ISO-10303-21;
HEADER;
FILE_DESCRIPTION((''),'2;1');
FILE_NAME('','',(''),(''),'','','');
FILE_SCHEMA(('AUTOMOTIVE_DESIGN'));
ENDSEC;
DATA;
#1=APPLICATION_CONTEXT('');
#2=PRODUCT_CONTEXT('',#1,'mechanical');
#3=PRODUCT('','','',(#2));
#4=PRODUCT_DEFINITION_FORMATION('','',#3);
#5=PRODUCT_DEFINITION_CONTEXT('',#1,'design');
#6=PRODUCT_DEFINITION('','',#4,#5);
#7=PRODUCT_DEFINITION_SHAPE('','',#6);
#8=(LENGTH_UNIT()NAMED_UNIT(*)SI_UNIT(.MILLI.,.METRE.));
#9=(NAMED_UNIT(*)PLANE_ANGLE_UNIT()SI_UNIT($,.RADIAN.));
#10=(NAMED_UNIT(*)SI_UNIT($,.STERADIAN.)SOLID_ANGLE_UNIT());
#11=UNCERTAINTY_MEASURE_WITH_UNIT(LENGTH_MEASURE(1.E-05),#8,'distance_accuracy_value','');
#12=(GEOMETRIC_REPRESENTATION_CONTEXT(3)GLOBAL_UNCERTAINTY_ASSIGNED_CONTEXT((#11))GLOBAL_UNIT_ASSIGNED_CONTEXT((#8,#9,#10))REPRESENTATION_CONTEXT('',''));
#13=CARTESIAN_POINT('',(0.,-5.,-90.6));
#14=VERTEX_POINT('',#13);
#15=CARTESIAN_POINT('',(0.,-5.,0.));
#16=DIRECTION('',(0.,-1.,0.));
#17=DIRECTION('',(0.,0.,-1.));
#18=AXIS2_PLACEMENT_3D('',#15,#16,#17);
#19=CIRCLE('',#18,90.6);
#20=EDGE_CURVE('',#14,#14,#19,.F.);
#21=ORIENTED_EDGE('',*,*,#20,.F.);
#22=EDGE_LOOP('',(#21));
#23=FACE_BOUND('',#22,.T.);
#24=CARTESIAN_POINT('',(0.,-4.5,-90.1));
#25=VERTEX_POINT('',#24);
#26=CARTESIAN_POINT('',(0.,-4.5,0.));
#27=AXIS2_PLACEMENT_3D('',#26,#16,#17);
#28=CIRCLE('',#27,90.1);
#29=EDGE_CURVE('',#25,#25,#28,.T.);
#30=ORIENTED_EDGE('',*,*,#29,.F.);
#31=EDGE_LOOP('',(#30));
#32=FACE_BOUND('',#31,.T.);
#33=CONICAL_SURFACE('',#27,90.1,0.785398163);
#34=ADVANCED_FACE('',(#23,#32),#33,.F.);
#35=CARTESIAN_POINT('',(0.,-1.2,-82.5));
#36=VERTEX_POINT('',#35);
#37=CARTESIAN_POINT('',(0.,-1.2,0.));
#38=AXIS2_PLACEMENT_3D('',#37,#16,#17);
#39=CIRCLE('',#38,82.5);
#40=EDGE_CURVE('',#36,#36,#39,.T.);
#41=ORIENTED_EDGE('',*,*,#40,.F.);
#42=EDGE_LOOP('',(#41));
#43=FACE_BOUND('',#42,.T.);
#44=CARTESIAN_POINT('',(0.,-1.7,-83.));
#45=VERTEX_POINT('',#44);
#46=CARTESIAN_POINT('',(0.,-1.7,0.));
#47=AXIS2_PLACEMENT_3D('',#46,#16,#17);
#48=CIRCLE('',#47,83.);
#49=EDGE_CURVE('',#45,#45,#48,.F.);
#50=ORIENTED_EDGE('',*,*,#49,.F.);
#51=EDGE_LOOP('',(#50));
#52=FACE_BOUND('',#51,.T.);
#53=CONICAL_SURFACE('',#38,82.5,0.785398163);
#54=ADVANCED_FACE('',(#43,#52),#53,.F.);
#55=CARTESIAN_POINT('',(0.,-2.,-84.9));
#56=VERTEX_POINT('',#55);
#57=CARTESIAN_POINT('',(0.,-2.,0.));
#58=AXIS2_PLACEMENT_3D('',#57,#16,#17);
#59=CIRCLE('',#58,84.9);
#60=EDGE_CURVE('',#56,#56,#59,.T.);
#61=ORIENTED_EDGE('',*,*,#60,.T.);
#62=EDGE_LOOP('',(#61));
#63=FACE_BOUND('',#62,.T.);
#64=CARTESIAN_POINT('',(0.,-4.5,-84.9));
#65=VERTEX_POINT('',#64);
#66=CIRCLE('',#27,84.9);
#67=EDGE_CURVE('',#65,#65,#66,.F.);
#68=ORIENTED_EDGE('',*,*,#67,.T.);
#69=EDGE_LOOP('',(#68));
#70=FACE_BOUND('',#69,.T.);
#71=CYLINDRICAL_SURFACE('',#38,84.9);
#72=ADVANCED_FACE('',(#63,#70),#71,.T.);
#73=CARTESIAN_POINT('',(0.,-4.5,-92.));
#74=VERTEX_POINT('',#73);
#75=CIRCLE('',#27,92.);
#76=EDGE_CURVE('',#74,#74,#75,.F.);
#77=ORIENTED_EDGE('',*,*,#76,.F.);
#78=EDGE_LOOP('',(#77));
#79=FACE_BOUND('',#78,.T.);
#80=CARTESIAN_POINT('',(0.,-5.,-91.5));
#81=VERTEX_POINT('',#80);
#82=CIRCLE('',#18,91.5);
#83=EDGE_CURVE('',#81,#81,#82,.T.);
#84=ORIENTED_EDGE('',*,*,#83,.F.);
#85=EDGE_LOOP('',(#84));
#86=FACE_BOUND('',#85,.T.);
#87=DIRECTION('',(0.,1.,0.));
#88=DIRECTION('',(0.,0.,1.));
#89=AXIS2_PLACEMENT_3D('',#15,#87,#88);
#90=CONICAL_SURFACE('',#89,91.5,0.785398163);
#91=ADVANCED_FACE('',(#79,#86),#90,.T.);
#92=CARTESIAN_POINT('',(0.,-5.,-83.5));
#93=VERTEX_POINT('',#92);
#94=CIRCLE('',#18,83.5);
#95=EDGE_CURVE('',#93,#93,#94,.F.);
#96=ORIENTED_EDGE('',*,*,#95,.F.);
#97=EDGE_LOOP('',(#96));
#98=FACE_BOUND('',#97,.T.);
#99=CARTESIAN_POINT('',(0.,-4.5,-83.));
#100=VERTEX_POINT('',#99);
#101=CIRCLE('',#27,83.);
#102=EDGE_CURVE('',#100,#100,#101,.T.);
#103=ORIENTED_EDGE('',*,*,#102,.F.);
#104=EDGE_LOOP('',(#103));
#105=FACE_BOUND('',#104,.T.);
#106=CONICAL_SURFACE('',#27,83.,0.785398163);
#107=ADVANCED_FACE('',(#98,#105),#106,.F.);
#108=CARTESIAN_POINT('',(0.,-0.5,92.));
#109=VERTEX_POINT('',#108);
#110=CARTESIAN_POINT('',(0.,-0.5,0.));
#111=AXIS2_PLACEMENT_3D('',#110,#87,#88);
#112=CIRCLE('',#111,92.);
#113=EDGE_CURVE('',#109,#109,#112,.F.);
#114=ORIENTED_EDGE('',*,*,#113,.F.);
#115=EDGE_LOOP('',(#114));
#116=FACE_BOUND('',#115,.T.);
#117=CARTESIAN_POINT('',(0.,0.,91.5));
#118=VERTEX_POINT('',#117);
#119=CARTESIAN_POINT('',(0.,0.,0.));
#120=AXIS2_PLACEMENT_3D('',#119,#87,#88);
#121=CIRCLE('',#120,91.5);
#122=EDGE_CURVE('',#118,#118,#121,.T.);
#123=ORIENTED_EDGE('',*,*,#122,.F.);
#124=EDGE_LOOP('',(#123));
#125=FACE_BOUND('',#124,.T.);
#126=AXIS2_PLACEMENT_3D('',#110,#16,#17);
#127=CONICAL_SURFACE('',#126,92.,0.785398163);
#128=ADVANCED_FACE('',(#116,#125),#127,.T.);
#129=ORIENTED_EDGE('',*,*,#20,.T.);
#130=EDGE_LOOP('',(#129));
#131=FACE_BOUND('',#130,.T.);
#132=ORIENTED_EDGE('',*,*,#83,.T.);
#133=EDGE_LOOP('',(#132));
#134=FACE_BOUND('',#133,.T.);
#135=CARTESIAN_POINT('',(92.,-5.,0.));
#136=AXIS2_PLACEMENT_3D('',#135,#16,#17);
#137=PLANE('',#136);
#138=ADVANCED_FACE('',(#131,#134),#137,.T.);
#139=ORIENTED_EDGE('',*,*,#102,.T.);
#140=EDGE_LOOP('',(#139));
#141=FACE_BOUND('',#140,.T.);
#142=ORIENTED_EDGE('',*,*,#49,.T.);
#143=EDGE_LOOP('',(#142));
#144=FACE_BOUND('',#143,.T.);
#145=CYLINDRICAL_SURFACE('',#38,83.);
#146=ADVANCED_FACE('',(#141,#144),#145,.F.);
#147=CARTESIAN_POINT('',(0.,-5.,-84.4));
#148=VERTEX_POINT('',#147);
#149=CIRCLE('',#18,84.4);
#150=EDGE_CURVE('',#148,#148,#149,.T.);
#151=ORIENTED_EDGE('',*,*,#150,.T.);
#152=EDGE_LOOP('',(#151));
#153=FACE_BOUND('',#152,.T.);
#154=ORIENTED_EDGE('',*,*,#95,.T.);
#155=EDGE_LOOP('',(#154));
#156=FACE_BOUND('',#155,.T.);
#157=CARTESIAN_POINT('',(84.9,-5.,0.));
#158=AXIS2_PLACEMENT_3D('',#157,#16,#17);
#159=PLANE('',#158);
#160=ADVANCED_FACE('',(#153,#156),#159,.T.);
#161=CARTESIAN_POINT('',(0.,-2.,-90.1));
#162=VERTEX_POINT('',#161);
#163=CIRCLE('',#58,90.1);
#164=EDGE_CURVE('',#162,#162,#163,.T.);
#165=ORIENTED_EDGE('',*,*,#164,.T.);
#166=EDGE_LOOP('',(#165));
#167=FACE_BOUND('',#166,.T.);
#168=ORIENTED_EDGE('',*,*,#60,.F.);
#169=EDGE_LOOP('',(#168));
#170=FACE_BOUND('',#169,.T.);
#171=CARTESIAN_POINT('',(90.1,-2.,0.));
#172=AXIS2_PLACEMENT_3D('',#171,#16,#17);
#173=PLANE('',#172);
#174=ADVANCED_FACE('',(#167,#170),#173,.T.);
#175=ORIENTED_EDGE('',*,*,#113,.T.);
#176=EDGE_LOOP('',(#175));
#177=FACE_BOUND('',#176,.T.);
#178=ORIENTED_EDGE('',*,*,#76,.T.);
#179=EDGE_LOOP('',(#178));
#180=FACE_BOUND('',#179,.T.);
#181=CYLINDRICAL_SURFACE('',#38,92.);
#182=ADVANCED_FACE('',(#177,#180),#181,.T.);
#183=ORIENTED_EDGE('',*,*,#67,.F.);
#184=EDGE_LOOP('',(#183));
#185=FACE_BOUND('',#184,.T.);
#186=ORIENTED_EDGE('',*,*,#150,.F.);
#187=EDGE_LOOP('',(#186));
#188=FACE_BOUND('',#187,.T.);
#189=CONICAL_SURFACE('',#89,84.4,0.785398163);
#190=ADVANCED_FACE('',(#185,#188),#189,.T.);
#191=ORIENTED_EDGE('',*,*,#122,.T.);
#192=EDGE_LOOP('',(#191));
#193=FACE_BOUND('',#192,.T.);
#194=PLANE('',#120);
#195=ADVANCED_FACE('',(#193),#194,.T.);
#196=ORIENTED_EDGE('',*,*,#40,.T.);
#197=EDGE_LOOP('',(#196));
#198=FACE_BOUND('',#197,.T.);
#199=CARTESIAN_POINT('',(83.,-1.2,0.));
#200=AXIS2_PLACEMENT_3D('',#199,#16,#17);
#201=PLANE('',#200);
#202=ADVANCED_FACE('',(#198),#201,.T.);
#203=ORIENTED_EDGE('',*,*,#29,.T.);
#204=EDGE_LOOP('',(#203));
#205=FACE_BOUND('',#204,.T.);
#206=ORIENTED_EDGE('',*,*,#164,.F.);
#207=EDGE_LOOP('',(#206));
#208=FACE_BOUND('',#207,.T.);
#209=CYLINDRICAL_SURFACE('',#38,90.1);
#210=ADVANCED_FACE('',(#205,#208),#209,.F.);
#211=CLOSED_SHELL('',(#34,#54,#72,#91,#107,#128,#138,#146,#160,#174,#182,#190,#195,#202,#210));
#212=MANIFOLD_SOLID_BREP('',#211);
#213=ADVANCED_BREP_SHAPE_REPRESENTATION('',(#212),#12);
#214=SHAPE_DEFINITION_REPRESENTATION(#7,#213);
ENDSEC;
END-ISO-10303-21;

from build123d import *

# Parameters (mm, degrees)
CHAMFER1_SIZE = 0.5


with BuildPart() as part:
    # Sketch1 → Revolve1 (revolve)
    with BuildSketch(Plane.XY):
        Polygon((0, 0), (92, 0), (92, -5), (90.1, -5), (90.1, -2), (84.9, -2), (84.9, -5), (83, -5), (83, -1.2), (0, -1.2), align=None)
    revolve(axis=Axis((0, -1.2, 0), (0, 1, 0)))

    # Chamfer1
    chamfer1_edges = [part.edges().sort_by_distance(p)[0] for p in [
        (-92, -5, 0),
        (-92, 0, 0),
        (-83, -1.2, 0),
        (-83, -5, 0),
        (-84.9, -5, 0),
        (-90.1, -5, 0),
    ]]
    chamfer(chamfer1_edges, length=CHAMFER1_SIZE)


solid = part.part
